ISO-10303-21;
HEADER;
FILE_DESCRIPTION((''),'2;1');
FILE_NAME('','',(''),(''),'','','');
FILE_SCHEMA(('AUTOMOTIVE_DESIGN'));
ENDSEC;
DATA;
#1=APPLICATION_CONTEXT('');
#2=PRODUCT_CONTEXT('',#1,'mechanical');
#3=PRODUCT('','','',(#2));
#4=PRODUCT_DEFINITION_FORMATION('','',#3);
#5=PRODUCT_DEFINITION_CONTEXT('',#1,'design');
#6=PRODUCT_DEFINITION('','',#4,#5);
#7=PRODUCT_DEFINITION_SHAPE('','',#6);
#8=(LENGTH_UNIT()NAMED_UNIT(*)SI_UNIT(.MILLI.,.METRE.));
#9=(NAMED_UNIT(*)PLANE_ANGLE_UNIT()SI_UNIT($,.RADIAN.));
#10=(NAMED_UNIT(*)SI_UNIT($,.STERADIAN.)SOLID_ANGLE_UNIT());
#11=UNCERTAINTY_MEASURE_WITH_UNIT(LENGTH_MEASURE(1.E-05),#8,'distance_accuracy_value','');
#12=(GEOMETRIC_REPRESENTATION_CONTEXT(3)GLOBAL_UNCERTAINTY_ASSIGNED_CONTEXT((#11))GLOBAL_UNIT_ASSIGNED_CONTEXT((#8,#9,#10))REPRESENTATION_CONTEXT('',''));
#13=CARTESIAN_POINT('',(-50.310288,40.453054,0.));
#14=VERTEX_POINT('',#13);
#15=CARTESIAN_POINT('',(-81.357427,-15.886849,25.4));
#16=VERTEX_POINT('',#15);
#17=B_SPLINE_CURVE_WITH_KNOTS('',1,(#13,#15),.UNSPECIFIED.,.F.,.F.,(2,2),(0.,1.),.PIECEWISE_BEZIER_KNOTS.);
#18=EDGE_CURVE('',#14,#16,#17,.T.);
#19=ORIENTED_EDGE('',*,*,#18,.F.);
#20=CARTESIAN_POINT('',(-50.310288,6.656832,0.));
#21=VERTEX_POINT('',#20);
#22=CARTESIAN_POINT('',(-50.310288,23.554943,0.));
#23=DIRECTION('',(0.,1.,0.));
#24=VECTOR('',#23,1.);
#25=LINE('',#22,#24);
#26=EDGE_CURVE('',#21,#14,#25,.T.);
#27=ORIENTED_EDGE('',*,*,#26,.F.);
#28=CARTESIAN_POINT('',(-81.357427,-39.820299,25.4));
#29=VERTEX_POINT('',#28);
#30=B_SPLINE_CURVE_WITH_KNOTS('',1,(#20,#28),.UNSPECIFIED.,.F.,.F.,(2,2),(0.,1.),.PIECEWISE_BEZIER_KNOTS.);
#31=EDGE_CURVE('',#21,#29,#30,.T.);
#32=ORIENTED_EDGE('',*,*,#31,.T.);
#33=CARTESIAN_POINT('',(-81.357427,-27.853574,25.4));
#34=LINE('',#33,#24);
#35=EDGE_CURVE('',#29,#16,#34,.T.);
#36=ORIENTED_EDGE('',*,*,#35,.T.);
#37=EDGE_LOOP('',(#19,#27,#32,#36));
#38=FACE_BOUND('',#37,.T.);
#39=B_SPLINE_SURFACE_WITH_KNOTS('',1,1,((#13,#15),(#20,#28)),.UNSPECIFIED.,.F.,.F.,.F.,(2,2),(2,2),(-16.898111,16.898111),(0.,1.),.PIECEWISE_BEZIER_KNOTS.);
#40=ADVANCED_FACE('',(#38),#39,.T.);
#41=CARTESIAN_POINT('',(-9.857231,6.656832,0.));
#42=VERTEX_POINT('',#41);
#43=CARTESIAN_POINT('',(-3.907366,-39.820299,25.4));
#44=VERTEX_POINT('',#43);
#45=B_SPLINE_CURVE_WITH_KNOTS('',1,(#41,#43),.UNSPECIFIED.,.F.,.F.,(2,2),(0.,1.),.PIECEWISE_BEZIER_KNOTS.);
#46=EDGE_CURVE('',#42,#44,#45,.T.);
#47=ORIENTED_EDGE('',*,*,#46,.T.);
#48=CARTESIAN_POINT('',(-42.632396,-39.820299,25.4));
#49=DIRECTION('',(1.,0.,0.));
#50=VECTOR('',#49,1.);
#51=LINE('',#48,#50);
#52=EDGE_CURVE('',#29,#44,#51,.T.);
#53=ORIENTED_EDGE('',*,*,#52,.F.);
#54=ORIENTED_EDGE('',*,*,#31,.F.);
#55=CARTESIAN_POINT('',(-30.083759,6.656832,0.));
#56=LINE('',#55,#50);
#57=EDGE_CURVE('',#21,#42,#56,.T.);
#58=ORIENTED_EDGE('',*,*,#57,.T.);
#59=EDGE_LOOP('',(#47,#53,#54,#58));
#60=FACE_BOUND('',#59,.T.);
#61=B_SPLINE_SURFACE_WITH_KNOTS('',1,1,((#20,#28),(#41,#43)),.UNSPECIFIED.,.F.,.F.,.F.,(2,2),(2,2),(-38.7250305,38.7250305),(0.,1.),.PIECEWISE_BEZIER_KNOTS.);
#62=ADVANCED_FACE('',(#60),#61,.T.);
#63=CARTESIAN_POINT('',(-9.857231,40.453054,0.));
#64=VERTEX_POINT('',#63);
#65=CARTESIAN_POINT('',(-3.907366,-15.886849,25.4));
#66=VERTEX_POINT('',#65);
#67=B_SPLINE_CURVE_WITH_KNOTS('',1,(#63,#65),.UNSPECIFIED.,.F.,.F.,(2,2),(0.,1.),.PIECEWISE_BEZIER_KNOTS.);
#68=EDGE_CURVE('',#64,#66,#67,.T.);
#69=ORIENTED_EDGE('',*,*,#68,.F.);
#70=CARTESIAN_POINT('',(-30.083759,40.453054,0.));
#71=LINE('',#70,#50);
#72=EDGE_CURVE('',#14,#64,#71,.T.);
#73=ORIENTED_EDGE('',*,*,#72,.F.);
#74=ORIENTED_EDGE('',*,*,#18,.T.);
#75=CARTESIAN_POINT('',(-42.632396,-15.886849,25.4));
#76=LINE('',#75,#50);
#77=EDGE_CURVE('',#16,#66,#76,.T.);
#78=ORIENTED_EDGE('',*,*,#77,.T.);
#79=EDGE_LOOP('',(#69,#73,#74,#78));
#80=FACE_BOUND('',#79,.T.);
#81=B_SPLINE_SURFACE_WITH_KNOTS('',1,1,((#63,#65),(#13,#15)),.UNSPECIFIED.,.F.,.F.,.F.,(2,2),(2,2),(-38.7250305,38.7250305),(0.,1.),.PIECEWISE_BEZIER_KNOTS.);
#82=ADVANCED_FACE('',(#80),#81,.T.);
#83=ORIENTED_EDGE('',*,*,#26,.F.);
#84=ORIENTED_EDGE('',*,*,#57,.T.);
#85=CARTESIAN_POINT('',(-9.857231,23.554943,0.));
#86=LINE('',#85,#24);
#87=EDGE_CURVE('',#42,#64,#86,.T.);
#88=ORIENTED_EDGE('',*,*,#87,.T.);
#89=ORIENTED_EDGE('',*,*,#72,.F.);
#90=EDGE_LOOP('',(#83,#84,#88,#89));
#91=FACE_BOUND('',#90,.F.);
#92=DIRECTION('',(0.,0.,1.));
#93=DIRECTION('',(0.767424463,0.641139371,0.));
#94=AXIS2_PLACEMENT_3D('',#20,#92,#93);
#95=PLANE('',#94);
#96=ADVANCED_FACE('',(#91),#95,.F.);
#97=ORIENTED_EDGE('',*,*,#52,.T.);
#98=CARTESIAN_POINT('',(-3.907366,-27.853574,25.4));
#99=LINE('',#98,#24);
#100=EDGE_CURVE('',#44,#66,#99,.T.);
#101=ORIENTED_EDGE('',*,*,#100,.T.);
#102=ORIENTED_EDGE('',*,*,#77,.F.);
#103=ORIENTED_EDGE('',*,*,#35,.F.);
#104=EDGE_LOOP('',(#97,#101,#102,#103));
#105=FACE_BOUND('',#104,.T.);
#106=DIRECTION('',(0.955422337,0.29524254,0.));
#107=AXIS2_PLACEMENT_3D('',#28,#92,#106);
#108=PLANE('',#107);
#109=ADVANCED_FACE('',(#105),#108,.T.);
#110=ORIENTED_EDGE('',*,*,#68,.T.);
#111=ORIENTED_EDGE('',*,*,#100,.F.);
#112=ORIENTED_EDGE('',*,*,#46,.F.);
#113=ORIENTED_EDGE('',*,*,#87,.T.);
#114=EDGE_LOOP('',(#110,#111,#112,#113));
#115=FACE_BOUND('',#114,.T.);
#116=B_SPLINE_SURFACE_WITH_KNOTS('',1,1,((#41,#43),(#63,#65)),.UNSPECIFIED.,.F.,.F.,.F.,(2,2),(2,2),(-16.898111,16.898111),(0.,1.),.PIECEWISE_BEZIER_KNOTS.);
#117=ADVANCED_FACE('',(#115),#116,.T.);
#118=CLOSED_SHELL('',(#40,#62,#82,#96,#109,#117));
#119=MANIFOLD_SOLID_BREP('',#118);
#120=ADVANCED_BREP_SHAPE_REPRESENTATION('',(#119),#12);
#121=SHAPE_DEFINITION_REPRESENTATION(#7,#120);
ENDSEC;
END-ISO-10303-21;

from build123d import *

# Parameters (mm, degrees)
F0_W = 40.453057
F0_H = 33.796222
F2_W = 77.450061
F2_H = 23.93345


with BuildPart() as f3:
    # F0 (on Top) → F3 section 0
    with BuildSketch(Plane.XY):
        with Locations((-30.083759, 23.554943)):
            Rectangle(F0_W, F0_H)
    # F2 (on offset) → F3 section 1
    with BuildSketch(Plane.XY.offset(25.4)):
        with Locations((-42.632396, -27.853574)):
            Rectangle(F2_W, F2_H)
    loft()


solid = f3.part
